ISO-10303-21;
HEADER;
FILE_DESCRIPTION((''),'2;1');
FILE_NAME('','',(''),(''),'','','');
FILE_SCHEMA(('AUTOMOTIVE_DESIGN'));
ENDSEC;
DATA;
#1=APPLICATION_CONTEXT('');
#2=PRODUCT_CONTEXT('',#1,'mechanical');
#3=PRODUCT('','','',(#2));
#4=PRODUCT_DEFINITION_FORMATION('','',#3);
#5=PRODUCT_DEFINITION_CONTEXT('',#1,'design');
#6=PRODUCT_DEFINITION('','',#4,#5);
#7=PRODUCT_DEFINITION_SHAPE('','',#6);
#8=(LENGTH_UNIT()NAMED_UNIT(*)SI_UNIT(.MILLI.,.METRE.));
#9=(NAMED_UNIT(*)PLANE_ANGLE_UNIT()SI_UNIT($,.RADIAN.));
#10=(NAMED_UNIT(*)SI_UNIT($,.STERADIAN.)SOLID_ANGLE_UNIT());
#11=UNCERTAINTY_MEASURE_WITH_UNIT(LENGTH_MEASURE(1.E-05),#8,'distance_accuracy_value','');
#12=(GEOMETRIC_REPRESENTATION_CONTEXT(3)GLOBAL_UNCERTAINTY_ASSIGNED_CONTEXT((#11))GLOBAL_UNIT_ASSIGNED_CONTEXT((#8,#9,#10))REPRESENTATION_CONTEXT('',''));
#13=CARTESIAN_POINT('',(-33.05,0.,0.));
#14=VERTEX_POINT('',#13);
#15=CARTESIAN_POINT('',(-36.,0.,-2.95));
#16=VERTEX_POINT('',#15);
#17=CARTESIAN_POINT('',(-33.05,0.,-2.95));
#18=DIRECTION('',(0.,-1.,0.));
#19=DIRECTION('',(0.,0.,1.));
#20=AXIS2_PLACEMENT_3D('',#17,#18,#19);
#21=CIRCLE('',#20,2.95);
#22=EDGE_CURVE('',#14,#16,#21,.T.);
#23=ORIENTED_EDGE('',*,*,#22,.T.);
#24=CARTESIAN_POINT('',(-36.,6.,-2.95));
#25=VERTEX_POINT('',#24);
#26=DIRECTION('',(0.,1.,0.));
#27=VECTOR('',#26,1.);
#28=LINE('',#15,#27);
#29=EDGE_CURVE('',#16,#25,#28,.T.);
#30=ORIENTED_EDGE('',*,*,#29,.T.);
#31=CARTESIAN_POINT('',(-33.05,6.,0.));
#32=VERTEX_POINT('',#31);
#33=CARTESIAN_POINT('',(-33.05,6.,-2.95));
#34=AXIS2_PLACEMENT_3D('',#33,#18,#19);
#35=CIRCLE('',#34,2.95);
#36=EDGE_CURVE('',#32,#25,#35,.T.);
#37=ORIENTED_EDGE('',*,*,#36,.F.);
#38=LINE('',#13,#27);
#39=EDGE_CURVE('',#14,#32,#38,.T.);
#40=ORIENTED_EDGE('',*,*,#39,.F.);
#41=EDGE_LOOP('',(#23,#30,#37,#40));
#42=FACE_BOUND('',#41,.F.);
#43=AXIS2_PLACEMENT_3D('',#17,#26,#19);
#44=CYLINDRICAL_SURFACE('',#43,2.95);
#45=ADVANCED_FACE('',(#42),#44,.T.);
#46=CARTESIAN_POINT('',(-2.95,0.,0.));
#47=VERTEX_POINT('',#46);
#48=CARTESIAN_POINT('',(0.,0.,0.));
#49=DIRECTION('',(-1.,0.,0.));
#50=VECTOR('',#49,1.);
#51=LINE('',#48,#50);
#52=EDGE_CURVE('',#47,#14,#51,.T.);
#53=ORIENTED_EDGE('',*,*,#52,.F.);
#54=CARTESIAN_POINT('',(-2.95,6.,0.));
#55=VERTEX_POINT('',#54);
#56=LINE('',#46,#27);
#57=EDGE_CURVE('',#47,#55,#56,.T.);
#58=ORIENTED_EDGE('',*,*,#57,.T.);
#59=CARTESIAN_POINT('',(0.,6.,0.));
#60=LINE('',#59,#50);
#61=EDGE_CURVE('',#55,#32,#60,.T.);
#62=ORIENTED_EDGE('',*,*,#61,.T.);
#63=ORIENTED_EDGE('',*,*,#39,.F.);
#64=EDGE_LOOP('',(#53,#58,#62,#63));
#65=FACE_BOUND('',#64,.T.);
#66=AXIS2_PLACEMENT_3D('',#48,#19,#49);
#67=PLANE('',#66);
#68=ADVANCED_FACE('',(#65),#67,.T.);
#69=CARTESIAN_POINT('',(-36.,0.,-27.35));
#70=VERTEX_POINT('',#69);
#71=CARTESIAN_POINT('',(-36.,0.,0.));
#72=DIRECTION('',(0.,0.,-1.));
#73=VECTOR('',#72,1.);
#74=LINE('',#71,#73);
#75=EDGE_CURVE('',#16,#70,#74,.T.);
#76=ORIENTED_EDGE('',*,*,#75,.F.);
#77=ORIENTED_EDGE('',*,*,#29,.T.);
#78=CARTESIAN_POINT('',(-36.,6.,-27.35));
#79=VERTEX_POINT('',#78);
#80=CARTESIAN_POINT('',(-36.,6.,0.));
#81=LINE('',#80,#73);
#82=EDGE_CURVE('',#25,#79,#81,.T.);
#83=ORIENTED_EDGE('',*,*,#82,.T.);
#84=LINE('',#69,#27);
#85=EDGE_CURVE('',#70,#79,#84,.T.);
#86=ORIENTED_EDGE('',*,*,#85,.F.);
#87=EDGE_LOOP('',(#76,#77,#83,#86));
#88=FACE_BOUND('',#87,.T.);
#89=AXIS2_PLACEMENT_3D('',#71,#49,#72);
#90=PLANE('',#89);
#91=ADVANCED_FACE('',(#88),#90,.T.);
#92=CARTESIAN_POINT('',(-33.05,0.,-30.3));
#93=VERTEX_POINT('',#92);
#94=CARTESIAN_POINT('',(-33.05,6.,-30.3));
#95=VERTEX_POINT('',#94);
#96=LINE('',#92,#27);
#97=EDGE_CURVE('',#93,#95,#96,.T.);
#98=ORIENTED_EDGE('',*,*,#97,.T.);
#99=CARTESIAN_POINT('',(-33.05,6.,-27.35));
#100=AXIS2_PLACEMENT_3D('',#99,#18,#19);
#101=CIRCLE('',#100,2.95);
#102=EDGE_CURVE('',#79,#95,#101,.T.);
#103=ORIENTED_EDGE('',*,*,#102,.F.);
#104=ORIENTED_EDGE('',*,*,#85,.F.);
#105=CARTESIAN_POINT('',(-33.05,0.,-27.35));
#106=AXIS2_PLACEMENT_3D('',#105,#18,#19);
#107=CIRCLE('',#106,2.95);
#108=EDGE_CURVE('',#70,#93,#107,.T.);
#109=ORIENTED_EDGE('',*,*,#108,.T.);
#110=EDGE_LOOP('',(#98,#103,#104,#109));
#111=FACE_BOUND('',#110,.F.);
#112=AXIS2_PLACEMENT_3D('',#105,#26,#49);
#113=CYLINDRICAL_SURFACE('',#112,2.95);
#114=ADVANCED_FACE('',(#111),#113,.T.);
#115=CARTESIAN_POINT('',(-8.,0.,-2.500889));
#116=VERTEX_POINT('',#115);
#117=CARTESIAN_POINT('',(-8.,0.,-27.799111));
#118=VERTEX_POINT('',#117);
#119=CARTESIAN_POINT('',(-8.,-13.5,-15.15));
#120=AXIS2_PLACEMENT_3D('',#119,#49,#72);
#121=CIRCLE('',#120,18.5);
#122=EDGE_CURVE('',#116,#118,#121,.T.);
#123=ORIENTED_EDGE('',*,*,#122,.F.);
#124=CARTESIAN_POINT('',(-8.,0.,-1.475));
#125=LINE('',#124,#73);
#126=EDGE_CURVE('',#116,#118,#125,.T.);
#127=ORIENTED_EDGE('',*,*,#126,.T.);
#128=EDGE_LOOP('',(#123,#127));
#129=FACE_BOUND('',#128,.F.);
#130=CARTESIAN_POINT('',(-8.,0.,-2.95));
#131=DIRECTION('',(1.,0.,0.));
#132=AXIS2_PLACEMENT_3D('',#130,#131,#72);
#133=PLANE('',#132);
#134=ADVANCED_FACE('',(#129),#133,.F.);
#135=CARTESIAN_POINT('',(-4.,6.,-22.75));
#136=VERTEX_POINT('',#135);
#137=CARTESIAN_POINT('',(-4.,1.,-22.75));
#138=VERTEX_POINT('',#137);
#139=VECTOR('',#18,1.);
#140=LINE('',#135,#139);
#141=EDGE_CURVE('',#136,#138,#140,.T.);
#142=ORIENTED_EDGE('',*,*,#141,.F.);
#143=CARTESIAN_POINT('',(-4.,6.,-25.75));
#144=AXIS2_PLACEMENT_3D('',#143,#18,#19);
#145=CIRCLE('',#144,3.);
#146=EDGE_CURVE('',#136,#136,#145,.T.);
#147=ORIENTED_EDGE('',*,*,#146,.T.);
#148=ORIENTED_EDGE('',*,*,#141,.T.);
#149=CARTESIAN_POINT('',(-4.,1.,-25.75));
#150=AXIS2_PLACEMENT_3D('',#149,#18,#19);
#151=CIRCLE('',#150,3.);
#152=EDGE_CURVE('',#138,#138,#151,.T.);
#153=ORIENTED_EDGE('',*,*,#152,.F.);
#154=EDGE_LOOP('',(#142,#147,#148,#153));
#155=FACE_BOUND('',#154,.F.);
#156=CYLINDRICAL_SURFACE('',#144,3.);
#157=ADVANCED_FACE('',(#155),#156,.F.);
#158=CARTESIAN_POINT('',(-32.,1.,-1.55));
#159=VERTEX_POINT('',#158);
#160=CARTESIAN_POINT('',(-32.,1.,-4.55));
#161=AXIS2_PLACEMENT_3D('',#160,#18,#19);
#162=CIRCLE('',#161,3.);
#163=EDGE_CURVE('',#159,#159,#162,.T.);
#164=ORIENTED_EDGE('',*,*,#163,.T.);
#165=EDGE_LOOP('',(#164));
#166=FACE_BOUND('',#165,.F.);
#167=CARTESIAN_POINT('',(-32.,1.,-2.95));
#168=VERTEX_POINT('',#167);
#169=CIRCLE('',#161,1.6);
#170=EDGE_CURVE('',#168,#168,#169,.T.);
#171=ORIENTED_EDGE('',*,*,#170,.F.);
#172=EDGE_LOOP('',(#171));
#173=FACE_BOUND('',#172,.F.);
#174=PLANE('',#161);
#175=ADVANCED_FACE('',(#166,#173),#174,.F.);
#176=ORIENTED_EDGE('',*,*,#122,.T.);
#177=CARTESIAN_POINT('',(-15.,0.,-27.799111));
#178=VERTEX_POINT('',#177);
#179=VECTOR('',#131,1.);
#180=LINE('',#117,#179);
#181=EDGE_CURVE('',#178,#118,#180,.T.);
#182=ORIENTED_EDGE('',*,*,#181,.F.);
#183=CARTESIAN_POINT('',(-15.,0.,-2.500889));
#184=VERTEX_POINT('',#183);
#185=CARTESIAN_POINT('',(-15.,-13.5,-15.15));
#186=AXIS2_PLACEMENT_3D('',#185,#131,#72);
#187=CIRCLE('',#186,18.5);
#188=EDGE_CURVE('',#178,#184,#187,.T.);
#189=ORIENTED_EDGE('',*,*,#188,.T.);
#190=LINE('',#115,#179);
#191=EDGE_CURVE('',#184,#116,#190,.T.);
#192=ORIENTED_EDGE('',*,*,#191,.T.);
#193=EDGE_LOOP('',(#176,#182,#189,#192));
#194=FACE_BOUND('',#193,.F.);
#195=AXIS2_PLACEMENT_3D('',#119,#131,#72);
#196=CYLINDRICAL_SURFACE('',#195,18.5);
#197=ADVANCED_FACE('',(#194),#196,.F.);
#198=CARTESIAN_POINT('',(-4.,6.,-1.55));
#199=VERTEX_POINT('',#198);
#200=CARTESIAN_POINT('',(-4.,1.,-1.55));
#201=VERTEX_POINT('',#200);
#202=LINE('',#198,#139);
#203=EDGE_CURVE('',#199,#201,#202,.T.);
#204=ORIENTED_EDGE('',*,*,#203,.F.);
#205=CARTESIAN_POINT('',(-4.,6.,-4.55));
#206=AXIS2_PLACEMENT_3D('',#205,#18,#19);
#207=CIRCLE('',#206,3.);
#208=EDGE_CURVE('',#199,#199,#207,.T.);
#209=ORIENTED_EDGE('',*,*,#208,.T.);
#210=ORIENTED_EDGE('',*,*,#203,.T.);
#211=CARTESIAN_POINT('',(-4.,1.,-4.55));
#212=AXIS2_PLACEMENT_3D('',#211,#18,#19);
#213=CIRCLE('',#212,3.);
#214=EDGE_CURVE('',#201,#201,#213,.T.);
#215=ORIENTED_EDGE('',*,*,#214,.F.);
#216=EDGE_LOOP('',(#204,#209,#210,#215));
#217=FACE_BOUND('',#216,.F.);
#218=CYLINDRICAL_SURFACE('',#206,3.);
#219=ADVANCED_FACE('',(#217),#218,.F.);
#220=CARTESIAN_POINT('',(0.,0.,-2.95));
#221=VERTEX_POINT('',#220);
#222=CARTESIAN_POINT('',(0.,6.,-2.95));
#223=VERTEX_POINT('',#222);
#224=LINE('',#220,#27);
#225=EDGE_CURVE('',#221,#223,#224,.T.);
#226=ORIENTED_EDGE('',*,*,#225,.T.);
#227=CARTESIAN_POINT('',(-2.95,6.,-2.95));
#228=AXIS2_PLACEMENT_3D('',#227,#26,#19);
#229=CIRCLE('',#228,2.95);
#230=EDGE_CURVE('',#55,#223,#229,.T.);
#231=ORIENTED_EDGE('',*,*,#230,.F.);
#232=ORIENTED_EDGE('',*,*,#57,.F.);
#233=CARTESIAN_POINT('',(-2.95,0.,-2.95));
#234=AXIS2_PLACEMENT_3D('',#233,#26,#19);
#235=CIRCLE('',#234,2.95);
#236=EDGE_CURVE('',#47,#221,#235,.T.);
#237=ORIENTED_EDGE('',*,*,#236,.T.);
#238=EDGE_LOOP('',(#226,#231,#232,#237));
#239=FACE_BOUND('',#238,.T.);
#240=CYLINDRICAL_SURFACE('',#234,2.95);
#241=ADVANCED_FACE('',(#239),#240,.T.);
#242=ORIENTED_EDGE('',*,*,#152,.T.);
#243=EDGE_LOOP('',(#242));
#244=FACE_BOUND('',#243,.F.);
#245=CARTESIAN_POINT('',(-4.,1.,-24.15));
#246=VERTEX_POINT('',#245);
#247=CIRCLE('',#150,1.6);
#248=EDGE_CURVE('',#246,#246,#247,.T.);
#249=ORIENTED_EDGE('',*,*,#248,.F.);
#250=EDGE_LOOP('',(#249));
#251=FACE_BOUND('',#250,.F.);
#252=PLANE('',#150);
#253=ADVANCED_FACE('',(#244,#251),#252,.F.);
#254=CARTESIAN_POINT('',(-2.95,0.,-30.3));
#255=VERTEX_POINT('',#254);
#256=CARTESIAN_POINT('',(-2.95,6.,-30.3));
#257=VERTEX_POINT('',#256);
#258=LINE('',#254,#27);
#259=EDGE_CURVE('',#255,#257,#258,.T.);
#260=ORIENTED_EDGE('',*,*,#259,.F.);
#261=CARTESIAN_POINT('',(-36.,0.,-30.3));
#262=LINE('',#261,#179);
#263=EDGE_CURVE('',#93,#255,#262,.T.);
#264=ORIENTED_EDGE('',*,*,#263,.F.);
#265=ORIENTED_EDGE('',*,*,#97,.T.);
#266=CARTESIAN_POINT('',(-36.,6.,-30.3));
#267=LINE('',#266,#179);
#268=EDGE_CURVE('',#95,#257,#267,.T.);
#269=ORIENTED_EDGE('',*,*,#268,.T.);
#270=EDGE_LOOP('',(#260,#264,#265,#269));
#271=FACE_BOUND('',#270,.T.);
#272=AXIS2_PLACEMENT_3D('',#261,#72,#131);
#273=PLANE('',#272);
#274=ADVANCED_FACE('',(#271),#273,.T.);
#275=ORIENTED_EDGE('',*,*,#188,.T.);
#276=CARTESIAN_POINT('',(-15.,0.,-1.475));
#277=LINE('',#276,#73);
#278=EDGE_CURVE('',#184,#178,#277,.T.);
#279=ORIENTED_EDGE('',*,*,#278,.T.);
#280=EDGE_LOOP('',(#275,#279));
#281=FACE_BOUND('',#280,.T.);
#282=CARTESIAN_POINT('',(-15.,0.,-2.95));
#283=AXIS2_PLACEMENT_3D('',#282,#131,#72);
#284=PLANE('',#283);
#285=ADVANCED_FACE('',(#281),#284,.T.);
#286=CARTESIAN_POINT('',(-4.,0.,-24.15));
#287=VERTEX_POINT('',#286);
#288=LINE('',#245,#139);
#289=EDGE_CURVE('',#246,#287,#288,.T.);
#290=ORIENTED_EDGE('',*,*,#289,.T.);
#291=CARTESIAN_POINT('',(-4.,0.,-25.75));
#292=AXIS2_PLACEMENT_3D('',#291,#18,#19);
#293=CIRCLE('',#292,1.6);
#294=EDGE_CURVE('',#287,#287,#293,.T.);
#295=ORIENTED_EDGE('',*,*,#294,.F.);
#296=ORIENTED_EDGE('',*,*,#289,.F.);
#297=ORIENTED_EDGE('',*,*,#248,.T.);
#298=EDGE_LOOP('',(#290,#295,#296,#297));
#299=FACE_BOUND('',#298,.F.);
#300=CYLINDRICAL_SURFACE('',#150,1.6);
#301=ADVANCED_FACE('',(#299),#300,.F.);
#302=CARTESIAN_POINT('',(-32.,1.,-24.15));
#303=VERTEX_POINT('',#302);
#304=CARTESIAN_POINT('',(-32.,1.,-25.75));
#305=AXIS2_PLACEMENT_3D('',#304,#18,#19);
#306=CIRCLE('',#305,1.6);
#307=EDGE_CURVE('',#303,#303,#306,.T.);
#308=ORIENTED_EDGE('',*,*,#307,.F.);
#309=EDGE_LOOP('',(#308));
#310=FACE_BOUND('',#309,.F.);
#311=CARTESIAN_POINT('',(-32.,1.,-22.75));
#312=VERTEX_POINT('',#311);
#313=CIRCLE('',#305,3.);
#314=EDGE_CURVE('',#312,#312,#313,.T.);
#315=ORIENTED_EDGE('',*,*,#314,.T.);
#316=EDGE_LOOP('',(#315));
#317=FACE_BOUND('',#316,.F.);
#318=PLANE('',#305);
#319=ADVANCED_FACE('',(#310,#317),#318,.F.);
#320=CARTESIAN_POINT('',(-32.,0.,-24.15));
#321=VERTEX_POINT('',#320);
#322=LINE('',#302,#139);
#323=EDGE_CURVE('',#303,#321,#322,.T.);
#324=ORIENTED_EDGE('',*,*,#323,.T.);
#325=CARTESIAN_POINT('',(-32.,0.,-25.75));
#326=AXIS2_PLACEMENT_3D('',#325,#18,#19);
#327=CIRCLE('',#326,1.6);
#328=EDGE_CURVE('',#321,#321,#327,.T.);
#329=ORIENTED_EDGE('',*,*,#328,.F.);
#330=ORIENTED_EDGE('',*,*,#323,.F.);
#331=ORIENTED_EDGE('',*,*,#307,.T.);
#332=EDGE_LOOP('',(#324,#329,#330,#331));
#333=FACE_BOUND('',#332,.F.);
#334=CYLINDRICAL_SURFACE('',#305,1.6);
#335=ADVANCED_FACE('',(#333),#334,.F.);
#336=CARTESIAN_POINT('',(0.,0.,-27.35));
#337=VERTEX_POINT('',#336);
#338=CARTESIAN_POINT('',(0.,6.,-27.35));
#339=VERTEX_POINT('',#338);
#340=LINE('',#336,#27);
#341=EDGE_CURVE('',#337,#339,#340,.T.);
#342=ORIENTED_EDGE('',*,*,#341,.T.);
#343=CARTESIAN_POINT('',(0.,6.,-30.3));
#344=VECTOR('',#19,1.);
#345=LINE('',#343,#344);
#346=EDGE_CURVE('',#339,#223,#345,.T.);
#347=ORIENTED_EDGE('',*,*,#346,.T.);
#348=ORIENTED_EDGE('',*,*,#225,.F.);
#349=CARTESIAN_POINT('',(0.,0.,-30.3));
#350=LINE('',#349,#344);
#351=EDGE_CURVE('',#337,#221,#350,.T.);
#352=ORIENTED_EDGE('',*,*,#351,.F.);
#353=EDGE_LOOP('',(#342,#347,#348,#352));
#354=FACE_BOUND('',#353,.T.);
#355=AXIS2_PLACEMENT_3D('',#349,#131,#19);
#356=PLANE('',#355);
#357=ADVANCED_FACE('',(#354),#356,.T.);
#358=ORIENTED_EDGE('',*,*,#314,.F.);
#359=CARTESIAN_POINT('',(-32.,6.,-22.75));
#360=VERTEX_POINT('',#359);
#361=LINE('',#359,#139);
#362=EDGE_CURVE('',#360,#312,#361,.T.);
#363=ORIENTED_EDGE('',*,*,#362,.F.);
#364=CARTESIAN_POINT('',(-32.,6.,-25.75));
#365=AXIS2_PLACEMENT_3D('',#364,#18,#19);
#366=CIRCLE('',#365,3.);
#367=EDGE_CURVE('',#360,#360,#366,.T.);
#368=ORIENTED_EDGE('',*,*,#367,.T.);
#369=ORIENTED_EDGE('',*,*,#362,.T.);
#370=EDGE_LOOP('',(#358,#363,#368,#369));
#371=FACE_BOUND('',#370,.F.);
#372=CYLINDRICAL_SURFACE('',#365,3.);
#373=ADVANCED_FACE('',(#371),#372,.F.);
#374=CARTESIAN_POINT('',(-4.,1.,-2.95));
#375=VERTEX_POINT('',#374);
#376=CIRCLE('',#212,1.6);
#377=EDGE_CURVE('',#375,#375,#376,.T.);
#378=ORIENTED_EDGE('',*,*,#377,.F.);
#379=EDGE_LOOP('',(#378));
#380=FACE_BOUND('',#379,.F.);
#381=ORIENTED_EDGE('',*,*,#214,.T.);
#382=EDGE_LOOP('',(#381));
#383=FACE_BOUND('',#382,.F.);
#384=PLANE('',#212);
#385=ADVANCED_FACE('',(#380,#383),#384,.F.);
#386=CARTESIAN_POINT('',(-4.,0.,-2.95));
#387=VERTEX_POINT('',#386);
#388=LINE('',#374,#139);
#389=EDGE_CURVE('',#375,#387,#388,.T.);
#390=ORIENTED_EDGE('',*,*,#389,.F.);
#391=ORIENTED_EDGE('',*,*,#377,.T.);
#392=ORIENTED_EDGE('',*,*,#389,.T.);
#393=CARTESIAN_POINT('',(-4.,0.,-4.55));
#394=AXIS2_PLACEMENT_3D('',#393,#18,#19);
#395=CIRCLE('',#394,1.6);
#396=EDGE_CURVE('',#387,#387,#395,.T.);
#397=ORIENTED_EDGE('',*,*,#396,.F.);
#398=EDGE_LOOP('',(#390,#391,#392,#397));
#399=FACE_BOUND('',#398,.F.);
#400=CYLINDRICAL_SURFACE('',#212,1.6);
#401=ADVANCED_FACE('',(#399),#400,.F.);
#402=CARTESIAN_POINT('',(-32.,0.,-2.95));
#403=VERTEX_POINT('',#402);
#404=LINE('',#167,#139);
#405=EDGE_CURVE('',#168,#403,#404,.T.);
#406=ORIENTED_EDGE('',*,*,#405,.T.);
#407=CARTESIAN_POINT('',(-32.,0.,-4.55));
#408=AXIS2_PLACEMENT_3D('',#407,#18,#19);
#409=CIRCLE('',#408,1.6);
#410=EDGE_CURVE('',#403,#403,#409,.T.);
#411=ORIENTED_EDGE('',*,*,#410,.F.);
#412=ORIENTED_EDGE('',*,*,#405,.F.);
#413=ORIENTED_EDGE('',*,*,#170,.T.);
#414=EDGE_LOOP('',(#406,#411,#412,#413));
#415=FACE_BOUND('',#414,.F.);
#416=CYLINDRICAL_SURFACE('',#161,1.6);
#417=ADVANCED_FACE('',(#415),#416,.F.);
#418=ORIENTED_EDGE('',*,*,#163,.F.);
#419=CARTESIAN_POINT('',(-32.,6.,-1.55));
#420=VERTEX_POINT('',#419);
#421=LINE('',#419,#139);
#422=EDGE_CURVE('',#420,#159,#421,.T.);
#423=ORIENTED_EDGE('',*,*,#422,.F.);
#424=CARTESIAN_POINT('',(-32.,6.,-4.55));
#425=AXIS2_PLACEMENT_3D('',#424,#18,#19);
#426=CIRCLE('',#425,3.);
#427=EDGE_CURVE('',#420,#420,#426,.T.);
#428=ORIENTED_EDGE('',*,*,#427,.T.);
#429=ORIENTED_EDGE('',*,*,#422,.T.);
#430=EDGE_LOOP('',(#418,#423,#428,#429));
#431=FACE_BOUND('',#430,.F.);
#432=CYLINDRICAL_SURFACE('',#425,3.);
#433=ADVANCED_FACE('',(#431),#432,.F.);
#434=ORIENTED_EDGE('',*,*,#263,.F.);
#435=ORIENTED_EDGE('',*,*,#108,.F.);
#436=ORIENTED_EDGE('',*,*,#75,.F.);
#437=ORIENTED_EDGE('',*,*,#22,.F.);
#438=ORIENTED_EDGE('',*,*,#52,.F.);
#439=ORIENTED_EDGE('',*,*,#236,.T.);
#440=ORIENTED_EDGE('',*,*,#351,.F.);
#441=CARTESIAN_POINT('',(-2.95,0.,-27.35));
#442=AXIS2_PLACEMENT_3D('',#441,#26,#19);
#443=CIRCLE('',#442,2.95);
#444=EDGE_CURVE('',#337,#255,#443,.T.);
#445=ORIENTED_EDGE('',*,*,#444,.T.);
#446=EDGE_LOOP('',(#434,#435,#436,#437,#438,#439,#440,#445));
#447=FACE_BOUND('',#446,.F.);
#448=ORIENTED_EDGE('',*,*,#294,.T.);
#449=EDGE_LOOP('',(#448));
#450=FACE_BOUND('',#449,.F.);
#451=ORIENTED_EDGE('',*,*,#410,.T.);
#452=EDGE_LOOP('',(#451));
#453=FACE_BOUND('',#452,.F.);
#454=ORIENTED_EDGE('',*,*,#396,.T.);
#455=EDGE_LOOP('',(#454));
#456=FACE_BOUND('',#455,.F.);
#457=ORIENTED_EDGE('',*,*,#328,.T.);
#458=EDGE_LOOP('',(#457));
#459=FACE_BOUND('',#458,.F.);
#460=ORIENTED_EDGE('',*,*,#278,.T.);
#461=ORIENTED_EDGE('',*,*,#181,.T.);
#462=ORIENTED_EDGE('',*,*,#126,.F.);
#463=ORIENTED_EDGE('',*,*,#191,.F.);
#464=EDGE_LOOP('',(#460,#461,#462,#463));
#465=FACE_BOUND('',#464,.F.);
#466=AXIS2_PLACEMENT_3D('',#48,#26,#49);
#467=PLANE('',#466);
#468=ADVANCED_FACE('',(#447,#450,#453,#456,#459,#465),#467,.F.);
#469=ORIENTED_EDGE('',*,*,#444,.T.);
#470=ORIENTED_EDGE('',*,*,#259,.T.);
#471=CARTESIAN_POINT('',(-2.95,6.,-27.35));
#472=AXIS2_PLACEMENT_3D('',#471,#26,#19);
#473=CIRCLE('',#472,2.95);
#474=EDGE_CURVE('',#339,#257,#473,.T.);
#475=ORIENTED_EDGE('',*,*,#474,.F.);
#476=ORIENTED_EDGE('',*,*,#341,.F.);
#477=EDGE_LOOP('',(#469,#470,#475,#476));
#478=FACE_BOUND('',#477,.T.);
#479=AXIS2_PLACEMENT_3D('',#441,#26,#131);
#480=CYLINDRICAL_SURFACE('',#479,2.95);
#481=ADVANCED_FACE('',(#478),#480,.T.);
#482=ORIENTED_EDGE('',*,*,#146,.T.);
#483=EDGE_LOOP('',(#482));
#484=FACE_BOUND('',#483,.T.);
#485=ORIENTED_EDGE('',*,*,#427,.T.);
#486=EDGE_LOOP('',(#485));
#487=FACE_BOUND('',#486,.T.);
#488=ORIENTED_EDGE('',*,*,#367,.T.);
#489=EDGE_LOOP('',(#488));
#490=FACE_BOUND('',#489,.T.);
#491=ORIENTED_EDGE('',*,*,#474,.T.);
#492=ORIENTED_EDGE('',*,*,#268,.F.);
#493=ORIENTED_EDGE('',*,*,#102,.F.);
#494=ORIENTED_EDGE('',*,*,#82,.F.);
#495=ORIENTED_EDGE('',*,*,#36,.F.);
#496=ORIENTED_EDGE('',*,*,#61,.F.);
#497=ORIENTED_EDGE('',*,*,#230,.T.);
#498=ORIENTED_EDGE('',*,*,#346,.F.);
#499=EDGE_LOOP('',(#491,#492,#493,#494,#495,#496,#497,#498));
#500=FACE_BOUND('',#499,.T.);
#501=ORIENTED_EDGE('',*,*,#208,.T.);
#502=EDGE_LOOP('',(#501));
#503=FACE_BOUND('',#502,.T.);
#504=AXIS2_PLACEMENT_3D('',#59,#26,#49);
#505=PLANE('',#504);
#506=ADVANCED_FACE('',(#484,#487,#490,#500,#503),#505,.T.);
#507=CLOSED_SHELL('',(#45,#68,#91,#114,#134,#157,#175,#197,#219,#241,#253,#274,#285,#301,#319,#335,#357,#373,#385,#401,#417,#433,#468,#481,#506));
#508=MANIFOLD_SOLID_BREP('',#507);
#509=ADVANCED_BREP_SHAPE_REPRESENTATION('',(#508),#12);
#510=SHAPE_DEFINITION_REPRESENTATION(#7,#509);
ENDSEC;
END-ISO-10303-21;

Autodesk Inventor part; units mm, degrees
ref_plane "YZ Plane" through (0, 0, 0) normal (1, 0, 0) x (0, 1, 0)
ref_plane "XZ Plane" through (0, 0, 0) normal (0, 1, 0) x (-1, 0, 0)
sketch "Эскиз1" plane through (0, 0, 0) normal (0, 1, 0) x (-1, 0, 0)
  line L0 (0, 0) -> (36, 0)
  line L1 (36, 0) -> (36, -30.3)
  line L2 (36, -30.3) -> (0, -30.3)
  line L3 (0, -30.3) -> (0, 0)
  dimension "d0" = 36
  dimension "d1" = 30.3
extrude "Выдавливание1" add sketch "Эскиз1" along normal blind 6
sketch "Эскиз2" plane through (0, 6, 0) normal (0, 1, 0) x (1, 0, 0)
  line L0 (-36, 30.3) -> (-36, 0) projected
  line L1 (-36, 0) -> (0, 0) projected
  line L2 (-18, 0) -> (-18, 30.3)
  line L3 (0, 30.3) -> (-36, 30.3) projected
  line L4 (-36, 15.15) -> (0, 15.15)
  line L5 (0, 0) -> (0, 30.3) projected
  point P0 (-32, 4.55)
  point P1 (-32, 25.75)
  point P2 (-4, 4.55)
  point P3 (-4, 25.75)
  point P4 (-32, 4.55)
  dimension "d52" = 14
  dimension "d53" = 10.6
hole "Отверстие1" at (-32, 6, -4.55) at (-32, 6, -25.75) at (-4, 6, -25.75) at (-4, 6, -4.55) direction (0, -1, 0) diameter 3.2 end through all counterbore diameter 6 counterbore depth 5
sketch "Эскиз4" plane through (0, 0, -2.95) normal (1, 0, 0) x (0, 0, -1)
  line L0 (12.2, 0) -> (12.2, -13.5)
  circle A0 centre (12.2, -13.5) radius 18.5
  line L1 (-2.95, 3) -> (27.35, 3)
  line L2 (-2.95, 0) -> (-2.95, 6) projected
  line L3 (27.35, 0) -> (27.35, 6) projected
  line L4 (-2.95, 0) -> (27.35, 0) projected
  dimension "d27" = 13.5
  dimension "d38" = 37
ref_plane "РабПлоскость3" through (-8, 0, 0) normal (1, 0, 0) x (0, 0, -1)
ref_plane "РабПлоскость2" through (-18, 0, 0) normal (1, 0, 0) x (0, 0, -1)
extrude "Выдавливание3" cut sketch "Эскиз4" against normal blind 7 from surface at -8 contours A0 L4 | L4 A0 L1 | L1 A0
fillet "Сопряжение3" radius 2.95 4 edges at (-36, 3, 0) (-36, 3, -30.3) (0, 3, 0) (0, 3, -30.3)
equation "\"Радиус_гибки\" = Толщина"
equation "\"Ширина_просечки\" = Толщина"
equation "\"Глубина_просечки\" = 0.5 * Толщина"
equation "\"Размер_просечки\" = 4 * Толщина"
equation "\"Мин_остаток\" = 2 * Толщина"
equation "\"Радиус_перехода\" = Радиус_гибки"
equation "\"Радиус_Якоби\" = Толщина"
equation "\"Размер_зазора\" = Толщина"
equation "\"Толщина\" = 0.5"
properties part number "Крепление двигателя2"
